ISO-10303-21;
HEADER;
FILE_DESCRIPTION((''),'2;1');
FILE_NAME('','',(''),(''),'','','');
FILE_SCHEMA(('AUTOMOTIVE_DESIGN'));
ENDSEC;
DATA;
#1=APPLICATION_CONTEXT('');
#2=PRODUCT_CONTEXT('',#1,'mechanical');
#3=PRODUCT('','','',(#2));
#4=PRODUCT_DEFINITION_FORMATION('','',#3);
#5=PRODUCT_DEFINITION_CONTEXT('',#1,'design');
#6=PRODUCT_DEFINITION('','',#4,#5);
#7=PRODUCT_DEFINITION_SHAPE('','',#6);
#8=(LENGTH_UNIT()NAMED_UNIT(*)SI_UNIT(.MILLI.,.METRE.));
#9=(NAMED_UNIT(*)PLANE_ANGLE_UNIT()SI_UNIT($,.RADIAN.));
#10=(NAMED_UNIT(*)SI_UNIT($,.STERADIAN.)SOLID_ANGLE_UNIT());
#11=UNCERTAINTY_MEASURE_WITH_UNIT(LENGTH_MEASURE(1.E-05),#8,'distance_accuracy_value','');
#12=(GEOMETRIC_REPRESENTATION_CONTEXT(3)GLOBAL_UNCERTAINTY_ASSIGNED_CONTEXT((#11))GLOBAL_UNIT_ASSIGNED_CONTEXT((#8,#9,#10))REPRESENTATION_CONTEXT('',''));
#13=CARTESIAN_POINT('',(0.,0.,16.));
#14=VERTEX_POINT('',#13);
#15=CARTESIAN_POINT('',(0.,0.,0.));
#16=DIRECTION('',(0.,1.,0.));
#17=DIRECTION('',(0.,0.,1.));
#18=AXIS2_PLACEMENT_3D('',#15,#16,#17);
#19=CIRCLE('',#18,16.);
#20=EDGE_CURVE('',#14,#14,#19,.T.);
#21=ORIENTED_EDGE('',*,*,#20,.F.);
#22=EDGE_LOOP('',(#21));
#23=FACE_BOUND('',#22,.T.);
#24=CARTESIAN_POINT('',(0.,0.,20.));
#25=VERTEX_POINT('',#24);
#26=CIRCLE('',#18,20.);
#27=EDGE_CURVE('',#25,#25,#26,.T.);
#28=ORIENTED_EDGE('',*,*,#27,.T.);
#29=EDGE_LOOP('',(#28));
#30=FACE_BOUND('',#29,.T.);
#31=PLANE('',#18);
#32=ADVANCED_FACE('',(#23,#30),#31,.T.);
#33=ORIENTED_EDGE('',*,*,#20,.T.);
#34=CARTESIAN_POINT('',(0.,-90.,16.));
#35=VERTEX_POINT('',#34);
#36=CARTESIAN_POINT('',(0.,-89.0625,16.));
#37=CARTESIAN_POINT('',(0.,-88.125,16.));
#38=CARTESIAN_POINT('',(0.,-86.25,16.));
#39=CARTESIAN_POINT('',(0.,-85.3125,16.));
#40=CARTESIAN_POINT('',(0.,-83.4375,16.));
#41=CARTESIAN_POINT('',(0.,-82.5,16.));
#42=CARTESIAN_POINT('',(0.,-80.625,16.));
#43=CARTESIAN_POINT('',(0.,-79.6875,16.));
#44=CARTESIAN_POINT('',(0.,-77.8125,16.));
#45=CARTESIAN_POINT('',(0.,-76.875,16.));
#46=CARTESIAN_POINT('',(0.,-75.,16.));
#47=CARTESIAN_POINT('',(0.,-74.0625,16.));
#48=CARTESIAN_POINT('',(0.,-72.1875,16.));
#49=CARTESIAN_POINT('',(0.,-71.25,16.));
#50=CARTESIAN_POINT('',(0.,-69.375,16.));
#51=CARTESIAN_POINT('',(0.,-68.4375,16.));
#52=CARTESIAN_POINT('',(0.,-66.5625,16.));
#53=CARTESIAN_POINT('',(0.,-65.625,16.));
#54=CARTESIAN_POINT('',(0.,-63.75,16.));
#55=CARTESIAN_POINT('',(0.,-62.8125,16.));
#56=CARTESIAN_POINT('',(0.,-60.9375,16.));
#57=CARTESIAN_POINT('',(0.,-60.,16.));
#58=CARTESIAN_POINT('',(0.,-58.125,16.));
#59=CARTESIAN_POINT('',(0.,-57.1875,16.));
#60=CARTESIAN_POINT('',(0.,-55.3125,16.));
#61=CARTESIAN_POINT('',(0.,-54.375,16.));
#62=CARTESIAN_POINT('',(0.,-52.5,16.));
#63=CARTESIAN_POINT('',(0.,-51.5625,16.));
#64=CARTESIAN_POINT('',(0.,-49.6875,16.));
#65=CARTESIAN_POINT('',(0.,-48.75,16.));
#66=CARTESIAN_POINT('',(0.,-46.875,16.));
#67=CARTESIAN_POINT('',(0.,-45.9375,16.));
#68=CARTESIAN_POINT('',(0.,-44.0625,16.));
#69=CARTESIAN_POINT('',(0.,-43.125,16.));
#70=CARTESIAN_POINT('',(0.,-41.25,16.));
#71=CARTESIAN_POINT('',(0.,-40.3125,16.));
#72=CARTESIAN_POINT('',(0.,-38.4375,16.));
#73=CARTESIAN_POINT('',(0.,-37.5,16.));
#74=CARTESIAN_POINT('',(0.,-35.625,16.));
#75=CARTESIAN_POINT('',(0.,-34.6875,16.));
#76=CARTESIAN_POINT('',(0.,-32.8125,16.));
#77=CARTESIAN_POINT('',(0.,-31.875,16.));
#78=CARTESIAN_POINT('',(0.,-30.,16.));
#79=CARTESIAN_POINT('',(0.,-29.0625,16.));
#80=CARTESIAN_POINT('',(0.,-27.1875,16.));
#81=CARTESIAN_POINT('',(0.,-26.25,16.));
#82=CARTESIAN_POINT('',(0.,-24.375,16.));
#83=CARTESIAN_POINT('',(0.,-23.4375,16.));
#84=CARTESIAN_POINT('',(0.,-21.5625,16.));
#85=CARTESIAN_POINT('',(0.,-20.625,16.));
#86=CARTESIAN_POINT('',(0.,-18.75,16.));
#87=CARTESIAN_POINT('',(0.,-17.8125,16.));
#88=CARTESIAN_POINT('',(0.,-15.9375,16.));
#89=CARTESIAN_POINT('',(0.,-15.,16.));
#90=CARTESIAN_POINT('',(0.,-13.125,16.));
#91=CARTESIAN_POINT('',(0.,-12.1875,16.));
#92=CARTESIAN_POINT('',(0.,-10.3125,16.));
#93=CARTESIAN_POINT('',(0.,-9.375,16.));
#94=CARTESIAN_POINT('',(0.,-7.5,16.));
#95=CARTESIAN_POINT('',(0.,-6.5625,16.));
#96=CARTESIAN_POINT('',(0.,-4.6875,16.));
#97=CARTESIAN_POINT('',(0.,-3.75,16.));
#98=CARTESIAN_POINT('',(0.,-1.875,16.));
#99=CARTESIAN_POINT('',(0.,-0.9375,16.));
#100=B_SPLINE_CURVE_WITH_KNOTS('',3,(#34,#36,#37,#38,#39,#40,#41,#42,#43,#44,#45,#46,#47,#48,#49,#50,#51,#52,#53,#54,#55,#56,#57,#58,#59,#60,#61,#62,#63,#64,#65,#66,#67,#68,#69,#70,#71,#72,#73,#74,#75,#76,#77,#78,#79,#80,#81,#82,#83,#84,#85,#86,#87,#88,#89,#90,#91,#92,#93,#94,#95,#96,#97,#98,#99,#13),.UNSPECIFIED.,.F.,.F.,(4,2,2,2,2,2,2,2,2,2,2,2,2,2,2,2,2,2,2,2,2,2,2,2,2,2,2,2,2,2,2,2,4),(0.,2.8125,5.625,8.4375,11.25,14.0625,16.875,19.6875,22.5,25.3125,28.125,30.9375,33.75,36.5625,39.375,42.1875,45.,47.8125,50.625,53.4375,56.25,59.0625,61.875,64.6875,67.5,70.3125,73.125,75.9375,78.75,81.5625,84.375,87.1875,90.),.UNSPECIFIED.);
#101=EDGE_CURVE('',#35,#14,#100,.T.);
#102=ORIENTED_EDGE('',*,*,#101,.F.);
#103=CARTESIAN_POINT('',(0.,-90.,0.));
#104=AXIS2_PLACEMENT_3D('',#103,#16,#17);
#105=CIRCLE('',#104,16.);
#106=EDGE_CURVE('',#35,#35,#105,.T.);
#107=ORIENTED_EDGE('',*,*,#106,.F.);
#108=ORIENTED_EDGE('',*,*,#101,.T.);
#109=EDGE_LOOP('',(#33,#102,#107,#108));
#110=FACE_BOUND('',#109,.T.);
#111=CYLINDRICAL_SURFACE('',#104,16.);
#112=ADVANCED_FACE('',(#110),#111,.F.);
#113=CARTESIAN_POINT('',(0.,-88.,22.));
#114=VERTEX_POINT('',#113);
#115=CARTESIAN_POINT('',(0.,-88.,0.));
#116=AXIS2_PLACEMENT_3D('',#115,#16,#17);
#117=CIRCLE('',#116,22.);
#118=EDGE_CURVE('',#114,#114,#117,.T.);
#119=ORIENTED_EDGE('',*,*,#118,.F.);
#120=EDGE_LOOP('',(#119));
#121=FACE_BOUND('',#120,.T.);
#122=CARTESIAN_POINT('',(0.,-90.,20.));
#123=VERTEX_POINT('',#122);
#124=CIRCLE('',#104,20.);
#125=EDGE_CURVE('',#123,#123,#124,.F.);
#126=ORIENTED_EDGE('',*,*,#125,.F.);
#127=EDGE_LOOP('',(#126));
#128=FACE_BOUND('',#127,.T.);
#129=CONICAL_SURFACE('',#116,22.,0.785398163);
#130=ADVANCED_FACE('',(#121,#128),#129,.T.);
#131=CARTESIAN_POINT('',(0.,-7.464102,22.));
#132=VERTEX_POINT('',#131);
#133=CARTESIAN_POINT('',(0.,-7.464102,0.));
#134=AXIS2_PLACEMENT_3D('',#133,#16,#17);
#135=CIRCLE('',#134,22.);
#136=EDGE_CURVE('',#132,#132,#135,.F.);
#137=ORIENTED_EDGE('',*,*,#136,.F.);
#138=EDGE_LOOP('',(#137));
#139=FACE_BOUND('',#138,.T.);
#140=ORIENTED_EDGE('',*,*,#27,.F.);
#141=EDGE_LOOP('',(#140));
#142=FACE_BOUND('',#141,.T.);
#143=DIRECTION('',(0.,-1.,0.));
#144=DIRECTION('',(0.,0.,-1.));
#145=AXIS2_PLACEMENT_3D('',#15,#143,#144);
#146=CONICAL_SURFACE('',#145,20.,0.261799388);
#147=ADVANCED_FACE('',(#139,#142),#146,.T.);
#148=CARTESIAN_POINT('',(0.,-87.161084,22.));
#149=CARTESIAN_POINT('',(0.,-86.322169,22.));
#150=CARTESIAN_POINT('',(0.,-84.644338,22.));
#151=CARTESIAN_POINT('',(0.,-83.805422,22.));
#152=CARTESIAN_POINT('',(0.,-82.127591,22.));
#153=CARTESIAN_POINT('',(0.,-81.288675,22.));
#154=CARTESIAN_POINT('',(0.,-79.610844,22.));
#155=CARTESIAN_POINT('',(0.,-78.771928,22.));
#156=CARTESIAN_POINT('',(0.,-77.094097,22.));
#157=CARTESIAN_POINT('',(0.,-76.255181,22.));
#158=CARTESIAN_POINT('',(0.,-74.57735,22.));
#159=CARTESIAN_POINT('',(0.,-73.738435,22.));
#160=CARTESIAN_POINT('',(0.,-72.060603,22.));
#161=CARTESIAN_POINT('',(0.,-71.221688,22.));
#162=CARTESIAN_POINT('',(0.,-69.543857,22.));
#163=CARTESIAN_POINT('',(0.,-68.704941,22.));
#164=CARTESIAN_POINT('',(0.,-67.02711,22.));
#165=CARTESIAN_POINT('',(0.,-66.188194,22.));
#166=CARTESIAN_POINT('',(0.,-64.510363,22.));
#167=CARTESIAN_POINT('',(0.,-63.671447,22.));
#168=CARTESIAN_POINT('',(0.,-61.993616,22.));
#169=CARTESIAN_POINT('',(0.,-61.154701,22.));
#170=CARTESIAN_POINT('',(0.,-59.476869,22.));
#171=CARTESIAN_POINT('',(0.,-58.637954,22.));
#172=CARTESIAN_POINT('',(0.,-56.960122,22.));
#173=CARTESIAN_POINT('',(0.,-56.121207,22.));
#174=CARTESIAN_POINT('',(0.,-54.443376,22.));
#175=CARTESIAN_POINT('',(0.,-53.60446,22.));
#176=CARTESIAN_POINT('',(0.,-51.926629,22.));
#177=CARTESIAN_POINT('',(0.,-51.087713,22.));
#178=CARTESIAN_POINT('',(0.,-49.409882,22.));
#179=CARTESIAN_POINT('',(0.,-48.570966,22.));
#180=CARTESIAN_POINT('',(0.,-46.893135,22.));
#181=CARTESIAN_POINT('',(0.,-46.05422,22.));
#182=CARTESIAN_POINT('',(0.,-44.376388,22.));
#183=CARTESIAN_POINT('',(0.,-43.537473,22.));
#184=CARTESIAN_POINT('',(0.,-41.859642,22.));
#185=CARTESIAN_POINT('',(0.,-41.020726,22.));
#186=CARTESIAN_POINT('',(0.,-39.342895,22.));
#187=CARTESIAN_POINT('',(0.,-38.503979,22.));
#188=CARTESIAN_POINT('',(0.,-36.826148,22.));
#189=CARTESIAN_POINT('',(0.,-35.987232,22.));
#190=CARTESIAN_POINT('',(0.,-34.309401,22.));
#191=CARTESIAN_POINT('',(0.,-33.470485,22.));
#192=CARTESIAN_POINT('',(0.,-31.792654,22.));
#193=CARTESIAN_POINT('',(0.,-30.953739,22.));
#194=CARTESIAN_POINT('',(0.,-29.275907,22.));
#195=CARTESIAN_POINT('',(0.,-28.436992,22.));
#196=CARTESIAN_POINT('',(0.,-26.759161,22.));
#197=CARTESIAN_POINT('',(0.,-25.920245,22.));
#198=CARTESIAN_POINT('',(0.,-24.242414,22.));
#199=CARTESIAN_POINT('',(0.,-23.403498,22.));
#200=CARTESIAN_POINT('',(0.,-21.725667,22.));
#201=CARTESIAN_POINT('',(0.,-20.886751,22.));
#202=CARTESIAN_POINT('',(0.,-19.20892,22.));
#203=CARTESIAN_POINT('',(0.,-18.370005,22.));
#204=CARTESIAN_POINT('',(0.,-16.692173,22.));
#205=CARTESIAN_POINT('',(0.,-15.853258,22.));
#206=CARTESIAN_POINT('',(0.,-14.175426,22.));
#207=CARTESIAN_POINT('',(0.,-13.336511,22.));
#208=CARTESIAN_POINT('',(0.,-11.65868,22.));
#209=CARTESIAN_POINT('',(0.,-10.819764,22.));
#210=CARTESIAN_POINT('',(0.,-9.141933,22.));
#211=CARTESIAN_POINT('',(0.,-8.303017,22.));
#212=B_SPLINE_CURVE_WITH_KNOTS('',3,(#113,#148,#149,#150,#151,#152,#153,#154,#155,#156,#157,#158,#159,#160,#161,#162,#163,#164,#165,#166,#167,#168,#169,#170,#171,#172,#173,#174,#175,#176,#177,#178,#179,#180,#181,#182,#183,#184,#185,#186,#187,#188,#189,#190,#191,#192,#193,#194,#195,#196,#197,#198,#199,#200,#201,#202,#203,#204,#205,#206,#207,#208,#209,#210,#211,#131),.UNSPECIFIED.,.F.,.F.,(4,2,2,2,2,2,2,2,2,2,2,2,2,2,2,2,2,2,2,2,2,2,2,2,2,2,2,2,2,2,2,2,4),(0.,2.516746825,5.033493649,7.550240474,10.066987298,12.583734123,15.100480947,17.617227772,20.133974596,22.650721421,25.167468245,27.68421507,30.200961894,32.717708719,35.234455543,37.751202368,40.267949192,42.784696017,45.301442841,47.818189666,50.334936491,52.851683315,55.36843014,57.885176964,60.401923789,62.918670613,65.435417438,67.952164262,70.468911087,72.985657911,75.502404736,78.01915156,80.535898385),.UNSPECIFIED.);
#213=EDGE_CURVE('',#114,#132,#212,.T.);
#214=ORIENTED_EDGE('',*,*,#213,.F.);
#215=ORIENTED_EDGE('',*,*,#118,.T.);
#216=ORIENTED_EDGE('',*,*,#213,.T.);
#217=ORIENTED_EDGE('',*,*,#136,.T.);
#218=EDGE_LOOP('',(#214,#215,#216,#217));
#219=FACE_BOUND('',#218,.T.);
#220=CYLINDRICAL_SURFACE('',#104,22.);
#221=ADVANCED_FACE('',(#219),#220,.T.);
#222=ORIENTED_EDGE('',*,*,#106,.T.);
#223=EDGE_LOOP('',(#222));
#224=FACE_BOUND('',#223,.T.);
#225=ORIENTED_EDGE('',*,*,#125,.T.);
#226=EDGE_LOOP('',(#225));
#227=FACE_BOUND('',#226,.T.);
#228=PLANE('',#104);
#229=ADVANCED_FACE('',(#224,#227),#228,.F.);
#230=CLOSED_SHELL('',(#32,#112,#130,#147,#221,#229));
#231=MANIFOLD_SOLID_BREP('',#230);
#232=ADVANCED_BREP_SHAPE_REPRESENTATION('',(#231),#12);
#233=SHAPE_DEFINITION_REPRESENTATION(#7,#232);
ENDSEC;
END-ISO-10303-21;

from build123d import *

# Parameters (mm, degrees)
SKETCH1_R           = 22
SKETCH1_R_2         = 16
BOSS_EXTRUDE1_DEPTH = 90
CHAMFER1_SIZE       = 2
CHAMFER1_SIZE2      = 7.464101615
CHAMFER2_SIZE       = 2


with BuildPart() as part:
    # Sketch1 → Boss-Extrude1 (new body)
    with BuildSketch(Plane(origin=(0, 0, 0), x_dir=(1, 0, 0), z_dir=(0, 1, 0))):
        with Locations(Location((0, 0, 0), (0, 0, 270))):
            Circle(SKETCH1_R)
        with Locations(Location((0, 0, 0), (0, 0, 270))):
            Circle(SKETCH1_R_2, mode=Mode.SUBTRACT)
    extrude(amount=-BOSS_EXTRUDE1_DEPTH)

    # Chamfer1
    chamfer1_edges = [part.edges().sort_by_distance(p)[0] for p in [
        (0, 0, -22),
    ]]
    chamfer1_side = [part.faces().sort_by_distance(p)[0] for p in [
        (0, 0, -21.377746033),
    ]]
    chamfer(chamfer1_edges, length=CHAMFER1_SIZE, length2=CHAMFER1_SIZE2, reference=chamfer1_side[0])

    # Chamfer2
    chamfer2_edges = [part.edges().sort_by_distance(p)[0] for p in [
        (0, -90, -22),
    ]]
    chamfer(chamfer2_edges, length=CHAMFER2_SIZE)


solid = part.part
